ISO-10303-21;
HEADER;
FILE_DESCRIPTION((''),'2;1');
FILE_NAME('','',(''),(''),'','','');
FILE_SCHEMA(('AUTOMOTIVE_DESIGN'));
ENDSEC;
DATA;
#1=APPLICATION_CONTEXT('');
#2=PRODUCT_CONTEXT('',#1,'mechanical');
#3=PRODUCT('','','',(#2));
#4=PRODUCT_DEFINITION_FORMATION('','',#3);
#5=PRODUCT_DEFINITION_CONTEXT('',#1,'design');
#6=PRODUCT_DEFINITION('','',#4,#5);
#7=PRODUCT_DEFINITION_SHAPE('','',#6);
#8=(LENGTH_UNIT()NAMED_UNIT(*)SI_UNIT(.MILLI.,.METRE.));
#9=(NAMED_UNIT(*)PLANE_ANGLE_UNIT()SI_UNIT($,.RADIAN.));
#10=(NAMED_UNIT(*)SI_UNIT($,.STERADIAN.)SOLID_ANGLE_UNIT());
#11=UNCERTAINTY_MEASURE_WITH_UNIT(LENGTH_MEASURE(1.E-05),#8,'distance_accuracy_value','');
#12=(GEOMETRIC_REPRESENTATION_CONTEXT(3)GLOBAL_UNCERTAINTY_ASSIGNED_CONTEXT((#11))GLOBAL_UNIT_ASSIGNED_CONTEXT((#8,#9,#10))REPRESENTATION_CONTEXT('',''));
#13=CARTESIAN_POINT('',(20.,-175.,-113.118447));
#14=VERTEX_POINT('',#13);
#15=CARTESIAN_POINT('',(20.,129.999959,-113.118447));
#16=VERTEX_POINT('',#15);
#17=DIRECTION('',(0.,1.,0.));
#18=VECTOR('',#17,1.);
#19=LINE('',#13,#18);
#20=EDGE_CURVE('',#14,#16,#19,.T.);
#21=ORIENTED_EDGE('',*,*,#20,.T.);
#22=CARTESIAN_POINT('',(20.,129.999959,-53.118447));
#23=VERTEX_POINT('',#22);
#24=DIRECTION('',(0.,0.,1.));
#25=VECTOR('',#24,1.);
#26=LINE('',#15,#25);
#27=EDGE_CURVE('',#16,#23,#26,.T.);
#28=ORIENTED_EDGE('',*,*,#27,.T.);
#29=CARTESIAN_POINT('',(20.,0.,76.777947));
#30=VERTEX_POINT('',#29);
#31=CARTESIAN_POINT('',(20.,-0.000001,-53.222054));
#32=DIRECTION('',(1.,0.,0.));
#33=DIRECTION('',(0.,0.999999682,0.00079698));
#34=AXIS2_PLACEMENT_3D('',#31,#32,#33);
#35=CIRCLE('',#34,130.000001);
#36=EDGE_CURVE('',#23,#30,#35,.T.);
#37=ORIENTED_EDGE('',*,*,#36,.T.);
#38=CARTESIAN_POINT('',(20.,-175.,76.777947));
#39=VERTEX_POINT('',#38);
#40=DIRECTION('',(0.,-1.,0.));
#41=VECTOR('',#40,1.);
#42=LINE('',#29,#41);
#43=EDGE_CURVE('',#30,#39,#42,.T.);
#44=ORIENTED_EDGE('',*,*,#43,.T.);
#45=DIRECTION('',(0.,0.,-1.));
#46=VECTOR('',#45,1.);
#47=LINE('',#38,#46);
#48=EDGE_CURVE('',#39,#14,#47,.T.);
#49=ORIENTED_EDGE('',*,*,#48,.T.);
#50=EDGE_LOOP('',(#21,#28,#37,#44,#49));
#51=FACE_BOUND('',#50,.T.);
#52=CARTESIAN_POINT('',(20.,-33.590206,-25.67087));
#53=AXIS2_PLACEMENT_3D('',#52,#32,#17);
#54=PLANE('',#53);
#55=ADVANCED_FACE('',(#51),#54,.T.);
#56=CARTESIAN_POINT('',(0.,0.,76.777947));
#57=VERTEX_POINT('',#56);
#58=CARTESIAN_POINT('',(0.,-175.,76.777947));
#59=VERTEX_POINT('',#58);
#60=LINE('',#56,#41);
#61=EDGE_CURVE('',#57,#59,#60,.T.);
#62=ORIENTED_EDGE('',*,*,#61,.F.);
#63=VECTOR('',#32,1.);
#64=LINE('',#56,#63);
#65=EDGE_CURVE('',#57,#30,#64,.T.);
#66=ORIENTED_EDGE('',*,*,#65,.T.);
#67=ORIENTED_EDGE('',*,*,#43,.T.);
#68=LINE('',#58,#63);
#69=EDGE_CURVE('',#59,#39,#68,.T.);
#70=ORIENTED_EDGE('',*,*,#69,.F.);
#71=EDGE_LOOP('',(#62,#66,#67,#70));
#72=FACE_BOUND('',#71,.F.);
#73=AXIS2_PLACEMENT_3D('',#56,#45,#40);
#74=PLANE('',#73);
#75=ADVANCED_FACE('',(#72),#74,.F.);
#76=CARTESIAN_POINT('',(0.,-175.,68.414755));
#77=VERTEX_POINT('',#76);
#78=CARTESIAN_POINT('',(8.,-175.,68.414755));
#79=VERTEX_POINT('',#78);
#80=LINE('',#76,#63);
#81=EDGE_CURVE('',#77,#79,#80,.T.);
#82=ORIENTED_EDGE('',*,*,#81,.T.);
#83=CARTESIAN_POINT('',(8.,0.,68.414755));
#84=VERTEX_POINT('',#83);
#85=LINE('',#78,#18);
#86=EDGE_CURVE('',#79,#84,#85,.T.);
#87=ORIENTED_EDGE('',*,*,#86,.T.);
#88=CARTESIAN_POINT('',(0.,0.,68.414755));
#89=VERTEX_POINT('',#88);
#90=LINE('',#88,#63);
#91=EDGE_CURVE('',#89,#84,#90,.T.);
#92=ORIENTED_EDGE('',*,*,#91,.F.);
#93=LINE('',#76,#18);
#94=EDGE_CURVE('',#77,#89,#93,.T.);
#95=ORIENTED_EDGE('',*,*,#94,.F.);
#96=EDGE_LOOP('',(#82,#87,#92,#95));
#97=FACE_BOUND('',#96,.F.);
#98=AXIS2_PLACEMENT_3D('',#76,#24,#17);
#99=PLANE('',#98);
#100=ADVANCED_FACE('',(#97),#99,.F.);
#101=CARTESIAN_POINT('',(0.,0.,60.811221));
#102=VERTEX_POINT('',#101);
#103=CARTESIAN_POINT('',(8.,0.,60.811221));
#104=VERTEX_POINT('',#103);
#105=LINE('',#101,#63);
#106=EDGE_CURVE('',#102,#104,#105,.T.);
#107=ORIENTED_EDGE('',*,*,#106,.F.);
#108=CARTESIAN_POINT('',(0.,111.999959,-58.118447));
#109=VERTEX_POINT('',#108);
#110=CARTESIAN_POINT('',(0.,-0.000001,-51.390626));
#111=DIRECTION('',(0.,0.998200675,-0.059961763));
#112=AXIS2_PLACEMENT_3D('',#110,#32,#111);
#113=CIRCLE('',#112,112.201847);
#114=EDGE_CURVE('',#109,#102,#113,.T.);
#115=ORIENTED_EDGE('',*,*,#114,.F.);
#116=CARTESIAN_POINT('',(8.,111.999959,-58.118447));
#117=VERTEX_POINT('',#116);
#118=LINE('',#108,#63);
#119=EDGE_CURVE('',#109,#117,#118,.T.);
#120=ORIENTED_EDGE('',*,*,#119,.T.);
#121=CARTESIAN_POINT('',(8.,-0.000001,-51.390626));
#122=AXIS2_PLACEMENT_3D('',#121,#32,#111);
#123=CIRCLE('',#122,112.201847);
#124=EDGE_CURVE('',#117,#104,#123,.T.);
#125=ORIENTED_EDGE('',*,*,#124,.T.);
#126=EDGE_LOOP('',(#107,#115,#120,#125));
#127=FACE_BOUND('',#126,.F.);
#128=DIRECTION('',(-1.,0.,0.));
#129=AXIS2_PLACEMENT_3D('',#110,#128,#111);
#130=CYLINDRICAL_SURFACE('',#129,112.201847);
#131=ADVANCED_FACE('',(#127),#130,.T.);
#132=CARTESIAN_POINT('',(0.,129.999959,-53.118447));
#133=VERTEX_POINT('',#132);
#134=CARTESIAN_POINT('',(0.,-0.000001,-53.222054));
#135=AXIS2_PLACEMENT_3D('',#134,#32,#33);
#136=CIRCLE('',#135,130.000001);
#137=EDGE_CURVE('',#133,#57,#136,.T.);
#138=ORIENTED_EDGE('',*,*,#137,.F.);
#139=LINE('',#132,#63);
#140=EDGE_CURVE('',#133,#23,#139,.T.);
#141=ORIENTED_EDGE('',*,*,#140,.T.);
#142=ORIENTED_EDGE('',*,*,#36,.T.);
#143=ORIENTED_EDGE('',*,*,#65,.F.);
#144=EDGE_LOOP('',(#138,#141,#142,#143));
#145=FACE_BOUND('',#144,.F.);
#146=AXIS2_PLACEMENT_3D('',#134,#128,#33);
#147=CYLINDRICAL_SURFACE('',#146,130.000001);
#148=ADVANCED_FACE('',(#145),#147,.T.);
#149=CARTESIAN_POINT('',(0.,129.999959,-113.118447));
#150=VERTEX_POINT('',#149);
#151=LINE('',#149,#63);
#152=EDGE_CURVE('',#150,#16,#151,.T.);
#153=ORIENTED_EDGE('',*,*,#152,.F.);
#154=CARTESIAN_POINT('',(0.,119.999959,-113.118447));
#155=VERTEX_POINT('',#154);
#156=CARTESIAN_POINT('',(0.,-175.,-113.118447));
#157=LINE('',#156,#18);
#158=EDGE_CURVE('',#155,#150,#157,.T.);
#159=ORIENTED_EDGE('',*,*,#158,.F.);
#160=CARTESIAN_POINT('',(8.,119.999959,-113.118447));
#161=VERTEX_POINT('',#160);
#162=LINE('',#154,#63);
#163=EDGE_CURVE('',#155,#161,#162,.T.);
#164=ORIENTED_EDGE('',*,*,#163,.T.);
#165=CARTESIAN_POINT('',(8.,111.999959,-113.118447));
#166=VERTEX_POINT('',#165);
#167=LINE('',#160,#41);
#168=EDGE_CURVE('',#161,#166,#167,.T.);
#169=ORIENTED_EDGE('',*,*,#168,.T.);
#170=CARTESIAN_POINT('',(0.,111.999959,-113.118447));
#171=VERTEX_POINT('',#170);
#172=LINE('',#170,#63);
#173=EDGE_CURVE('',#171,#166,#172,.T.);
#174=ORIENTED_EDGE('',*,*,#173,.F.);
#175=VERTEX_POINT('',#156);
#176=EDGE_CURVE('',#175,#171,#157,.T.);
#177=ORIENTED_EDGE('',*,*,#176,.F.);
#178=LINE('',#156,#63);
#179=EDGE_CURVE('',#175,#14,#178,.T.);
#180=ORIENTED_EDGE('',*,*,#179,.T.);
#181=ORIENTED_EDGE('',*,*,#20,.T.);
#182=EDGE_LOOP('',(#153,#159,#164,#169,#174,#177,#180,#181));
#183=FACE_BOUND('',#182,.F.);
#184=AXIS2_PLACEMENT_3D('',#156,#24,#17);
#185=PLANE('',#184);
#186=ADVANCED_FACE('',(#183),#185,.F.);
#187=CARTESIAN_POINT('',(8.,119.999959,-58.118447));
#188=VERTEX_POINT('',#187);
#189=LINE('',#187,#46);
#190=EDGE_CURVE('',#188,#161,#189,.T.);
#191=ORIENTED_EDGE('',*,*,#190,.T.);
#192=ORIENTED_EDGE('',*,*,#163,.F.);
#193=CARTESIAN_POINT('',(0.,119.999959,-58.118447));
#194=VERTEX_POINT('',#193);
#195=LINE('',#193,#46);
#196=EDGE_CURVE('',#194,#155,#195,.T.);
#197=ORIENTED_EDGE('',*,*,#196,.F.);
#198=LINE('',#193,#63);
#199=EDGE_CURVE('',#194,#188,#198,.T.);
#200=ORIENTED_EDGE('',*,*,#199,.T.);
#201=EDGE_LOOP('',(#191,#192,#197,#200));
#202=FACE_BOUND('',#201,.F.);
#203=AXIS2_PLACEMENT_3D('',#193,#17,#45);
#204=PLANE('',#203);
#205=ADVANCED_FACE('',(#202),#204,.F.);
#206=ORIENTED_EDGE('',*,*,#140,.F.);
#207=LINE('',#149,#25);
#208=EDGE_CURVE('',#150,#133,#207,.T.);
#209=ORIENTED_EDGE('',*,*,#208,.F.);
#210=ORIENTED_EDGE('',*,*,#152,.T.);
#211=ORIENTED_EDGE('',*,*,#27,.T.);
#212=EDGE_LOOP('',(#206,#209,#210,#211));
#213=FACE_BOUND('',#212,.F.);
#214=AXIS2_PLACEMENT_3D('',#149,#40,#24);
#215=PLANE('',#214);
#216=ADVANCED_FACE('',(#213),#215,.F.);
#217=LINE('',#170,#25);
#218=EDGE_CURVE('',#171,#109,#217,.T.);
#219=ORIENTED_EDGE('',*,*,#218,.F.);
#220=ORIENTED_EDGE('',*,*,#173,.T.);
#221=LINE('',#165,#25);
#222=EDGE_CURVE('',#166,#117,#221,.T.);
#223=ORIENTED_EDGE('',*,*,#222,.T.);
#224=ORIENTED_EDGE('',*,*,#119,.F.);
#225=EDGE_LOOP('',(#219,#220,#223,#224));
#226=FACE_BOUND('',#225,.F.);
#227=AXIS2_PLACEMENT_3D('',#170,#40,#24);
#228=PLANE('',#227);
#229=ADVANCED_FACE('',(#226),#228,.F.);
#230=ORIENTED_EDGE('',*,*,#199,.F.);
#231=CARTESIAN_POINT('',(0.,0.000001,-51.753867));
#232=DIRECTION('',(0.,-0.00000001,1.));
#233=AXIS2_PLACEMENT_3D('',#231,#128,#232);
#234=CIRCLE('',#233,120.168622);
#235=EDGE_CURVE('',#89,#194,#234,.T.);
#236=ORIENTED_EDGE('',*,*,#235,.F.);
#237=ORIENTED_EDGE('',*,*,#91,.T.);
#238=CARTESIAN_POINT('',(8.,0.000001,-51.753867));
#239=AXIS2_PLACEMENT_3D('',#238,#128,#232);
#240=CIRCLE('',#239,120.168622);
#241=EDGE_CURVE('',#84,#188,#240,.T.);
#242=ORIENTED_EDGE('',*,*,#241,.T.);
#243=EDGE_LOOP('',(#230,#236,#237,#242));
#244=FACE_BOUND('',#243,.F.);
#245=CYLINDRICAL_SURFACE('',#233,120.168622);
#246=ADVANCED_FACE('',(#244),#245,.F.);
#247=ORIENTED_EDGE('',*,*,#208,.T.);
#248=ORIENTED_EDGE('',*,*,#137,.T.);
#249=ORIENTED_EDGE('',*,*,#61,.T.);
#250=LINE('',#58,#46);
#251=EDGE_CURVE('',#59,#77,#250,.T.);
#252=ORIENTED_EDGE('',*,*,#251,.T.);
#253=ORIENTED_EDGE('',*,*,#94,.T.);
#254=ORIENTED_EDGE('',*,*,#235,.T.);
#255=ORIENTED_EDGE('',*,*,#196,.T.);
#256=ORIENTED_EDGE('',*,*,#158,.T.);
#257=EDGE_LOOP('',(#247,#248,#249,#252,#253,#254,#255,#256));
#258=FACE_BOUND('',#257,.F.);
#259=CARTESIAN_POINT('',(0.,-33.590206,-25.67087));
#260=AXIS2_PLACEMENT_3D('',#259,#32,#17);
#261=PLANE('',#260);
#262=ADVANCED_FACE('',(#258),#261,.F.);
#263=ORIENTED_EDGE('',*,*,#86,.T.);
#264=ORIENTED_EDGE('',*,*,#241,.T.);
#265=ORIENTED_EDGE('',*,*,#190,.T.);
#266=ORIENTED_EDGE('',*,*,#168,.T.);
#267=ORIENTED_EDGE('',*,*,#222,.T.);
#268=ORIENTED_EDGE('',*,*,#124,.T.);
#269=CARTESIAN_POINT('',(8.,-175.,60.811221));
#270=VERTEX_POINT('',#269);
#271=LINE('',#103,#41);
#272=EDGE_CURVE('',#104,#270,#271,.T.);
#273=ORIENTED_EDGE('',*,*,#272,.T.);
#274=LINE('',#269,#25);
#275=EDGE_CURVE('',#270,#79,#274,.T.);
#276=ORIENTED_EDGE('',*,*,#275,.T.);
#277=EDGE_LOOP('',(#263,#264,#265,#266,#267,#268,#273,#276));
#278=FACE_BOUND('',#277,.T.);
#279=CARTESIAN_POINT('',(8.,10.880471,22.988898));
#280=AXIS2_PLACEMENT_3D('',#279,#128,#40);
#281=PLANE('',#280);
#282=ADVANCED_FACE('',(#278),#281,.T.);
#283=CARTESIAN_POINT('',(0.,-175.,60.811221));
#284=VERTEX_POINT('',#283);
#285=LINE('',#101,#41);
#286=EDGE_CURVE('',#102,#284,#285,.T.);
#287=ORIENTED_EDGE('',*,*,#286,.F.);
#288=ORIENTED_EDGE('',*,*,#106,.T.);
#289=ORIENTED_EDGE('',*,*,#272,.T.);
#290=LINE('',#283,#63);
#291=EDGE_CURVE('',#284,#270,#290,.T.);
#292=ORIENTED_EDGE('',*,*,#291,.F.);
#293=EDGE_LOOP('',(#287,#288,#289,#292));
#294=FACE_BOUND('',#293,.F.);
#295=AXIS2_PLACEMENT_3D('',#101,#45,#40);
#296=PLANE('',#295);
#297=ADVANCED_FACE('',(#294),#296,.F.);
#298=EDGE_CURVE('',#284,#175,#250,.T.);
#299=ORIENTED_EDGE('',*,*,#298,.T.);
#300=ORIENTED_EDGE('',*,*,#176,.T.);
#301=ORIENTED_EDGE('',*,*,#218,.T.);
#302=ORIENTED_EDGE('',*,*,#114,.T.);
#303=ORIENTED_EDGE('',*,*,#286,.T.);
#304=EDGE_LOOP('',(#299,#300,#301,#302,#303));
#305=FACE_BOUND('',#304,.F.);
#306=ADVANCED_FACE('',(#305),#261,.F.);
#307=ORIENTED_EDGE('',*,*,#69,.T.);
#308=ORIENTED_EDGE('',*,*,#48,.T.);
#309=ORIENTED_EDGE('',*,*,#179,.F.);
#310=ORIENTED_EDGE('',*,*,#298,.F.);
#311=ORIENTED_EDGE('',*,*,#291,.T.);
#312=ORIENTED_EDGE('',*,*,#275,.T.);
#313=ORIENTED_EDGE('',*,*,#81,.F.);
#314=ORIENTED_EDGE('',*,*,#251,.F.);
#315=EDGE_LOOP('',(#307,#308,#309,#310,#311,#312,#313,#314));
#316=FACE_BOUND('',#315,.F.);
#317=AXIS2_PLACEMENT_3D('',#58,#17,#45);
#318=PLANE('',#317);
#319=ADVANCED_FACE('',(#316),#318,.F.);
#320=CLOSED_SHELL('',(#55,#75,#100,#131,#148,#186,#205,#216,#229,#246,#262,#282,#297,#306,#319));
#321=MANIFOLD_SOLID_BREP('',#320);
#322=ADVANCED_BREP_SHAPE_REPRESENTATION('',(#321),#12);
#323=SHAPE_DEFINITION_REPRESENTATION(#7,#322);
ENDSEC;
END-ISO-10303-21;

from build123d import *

# Parameters (mm, degrees)
F1_DEPTH = 20
F3_DEPTH = 8


with BuildPart() as f1:
    # F0 (on Right) → F1 (new body)
    with BuildSketch(Plane.YZ):
        with BuildLine():
            Line((0, 76.777947), (-175, 76.777947))
            Line((-175, 76.777947), (-175, -113.118447))
            Line((-175, -113.118447), (129.999959, -113.118447))
            Line((129.999959, -113.118447), (129.999959, -53.118447))
            ThreePointArc((129.999959, -53.118447), (91.887244, 38.738451), (0, 76.777947))
        make_face()
    extrude(amount=F1_DEPTH)

    # F2 (on face) → F3 (cut)
    with BuildSketch(Plane(origin=(0, 0, 0), x_dir=(0, -1, 0), z_dir=(-1, 0, 0))):
        with BuildLine():
            Line((175, 60.811221), (175, 68.414755))
            Line((175, 68.414755), (0, 68.414755))
            ThreePointArc((0, 68.414755), (-87.193236, 30.937351), (-119.999959, -58.118447))
            Line((-119.999959, -58.118447), (-119.999959, -113.118447))
            Line((-119.999959, -113.118447), (-111.999959, -113.118447))
            Line((-111.999959, -113.118447), (-111.999959, -58.118447))
            ThreePointArc((-111.999959, -58.118447), (-81.682704, 25.532649), (0, 60.811221))
            Line((0, 60.811221), (175, 60.811221))
        make_face()
    extrude(amount=-F3_DEPTH, mode=Mode.SUBTRACT)


solid = f1.part
